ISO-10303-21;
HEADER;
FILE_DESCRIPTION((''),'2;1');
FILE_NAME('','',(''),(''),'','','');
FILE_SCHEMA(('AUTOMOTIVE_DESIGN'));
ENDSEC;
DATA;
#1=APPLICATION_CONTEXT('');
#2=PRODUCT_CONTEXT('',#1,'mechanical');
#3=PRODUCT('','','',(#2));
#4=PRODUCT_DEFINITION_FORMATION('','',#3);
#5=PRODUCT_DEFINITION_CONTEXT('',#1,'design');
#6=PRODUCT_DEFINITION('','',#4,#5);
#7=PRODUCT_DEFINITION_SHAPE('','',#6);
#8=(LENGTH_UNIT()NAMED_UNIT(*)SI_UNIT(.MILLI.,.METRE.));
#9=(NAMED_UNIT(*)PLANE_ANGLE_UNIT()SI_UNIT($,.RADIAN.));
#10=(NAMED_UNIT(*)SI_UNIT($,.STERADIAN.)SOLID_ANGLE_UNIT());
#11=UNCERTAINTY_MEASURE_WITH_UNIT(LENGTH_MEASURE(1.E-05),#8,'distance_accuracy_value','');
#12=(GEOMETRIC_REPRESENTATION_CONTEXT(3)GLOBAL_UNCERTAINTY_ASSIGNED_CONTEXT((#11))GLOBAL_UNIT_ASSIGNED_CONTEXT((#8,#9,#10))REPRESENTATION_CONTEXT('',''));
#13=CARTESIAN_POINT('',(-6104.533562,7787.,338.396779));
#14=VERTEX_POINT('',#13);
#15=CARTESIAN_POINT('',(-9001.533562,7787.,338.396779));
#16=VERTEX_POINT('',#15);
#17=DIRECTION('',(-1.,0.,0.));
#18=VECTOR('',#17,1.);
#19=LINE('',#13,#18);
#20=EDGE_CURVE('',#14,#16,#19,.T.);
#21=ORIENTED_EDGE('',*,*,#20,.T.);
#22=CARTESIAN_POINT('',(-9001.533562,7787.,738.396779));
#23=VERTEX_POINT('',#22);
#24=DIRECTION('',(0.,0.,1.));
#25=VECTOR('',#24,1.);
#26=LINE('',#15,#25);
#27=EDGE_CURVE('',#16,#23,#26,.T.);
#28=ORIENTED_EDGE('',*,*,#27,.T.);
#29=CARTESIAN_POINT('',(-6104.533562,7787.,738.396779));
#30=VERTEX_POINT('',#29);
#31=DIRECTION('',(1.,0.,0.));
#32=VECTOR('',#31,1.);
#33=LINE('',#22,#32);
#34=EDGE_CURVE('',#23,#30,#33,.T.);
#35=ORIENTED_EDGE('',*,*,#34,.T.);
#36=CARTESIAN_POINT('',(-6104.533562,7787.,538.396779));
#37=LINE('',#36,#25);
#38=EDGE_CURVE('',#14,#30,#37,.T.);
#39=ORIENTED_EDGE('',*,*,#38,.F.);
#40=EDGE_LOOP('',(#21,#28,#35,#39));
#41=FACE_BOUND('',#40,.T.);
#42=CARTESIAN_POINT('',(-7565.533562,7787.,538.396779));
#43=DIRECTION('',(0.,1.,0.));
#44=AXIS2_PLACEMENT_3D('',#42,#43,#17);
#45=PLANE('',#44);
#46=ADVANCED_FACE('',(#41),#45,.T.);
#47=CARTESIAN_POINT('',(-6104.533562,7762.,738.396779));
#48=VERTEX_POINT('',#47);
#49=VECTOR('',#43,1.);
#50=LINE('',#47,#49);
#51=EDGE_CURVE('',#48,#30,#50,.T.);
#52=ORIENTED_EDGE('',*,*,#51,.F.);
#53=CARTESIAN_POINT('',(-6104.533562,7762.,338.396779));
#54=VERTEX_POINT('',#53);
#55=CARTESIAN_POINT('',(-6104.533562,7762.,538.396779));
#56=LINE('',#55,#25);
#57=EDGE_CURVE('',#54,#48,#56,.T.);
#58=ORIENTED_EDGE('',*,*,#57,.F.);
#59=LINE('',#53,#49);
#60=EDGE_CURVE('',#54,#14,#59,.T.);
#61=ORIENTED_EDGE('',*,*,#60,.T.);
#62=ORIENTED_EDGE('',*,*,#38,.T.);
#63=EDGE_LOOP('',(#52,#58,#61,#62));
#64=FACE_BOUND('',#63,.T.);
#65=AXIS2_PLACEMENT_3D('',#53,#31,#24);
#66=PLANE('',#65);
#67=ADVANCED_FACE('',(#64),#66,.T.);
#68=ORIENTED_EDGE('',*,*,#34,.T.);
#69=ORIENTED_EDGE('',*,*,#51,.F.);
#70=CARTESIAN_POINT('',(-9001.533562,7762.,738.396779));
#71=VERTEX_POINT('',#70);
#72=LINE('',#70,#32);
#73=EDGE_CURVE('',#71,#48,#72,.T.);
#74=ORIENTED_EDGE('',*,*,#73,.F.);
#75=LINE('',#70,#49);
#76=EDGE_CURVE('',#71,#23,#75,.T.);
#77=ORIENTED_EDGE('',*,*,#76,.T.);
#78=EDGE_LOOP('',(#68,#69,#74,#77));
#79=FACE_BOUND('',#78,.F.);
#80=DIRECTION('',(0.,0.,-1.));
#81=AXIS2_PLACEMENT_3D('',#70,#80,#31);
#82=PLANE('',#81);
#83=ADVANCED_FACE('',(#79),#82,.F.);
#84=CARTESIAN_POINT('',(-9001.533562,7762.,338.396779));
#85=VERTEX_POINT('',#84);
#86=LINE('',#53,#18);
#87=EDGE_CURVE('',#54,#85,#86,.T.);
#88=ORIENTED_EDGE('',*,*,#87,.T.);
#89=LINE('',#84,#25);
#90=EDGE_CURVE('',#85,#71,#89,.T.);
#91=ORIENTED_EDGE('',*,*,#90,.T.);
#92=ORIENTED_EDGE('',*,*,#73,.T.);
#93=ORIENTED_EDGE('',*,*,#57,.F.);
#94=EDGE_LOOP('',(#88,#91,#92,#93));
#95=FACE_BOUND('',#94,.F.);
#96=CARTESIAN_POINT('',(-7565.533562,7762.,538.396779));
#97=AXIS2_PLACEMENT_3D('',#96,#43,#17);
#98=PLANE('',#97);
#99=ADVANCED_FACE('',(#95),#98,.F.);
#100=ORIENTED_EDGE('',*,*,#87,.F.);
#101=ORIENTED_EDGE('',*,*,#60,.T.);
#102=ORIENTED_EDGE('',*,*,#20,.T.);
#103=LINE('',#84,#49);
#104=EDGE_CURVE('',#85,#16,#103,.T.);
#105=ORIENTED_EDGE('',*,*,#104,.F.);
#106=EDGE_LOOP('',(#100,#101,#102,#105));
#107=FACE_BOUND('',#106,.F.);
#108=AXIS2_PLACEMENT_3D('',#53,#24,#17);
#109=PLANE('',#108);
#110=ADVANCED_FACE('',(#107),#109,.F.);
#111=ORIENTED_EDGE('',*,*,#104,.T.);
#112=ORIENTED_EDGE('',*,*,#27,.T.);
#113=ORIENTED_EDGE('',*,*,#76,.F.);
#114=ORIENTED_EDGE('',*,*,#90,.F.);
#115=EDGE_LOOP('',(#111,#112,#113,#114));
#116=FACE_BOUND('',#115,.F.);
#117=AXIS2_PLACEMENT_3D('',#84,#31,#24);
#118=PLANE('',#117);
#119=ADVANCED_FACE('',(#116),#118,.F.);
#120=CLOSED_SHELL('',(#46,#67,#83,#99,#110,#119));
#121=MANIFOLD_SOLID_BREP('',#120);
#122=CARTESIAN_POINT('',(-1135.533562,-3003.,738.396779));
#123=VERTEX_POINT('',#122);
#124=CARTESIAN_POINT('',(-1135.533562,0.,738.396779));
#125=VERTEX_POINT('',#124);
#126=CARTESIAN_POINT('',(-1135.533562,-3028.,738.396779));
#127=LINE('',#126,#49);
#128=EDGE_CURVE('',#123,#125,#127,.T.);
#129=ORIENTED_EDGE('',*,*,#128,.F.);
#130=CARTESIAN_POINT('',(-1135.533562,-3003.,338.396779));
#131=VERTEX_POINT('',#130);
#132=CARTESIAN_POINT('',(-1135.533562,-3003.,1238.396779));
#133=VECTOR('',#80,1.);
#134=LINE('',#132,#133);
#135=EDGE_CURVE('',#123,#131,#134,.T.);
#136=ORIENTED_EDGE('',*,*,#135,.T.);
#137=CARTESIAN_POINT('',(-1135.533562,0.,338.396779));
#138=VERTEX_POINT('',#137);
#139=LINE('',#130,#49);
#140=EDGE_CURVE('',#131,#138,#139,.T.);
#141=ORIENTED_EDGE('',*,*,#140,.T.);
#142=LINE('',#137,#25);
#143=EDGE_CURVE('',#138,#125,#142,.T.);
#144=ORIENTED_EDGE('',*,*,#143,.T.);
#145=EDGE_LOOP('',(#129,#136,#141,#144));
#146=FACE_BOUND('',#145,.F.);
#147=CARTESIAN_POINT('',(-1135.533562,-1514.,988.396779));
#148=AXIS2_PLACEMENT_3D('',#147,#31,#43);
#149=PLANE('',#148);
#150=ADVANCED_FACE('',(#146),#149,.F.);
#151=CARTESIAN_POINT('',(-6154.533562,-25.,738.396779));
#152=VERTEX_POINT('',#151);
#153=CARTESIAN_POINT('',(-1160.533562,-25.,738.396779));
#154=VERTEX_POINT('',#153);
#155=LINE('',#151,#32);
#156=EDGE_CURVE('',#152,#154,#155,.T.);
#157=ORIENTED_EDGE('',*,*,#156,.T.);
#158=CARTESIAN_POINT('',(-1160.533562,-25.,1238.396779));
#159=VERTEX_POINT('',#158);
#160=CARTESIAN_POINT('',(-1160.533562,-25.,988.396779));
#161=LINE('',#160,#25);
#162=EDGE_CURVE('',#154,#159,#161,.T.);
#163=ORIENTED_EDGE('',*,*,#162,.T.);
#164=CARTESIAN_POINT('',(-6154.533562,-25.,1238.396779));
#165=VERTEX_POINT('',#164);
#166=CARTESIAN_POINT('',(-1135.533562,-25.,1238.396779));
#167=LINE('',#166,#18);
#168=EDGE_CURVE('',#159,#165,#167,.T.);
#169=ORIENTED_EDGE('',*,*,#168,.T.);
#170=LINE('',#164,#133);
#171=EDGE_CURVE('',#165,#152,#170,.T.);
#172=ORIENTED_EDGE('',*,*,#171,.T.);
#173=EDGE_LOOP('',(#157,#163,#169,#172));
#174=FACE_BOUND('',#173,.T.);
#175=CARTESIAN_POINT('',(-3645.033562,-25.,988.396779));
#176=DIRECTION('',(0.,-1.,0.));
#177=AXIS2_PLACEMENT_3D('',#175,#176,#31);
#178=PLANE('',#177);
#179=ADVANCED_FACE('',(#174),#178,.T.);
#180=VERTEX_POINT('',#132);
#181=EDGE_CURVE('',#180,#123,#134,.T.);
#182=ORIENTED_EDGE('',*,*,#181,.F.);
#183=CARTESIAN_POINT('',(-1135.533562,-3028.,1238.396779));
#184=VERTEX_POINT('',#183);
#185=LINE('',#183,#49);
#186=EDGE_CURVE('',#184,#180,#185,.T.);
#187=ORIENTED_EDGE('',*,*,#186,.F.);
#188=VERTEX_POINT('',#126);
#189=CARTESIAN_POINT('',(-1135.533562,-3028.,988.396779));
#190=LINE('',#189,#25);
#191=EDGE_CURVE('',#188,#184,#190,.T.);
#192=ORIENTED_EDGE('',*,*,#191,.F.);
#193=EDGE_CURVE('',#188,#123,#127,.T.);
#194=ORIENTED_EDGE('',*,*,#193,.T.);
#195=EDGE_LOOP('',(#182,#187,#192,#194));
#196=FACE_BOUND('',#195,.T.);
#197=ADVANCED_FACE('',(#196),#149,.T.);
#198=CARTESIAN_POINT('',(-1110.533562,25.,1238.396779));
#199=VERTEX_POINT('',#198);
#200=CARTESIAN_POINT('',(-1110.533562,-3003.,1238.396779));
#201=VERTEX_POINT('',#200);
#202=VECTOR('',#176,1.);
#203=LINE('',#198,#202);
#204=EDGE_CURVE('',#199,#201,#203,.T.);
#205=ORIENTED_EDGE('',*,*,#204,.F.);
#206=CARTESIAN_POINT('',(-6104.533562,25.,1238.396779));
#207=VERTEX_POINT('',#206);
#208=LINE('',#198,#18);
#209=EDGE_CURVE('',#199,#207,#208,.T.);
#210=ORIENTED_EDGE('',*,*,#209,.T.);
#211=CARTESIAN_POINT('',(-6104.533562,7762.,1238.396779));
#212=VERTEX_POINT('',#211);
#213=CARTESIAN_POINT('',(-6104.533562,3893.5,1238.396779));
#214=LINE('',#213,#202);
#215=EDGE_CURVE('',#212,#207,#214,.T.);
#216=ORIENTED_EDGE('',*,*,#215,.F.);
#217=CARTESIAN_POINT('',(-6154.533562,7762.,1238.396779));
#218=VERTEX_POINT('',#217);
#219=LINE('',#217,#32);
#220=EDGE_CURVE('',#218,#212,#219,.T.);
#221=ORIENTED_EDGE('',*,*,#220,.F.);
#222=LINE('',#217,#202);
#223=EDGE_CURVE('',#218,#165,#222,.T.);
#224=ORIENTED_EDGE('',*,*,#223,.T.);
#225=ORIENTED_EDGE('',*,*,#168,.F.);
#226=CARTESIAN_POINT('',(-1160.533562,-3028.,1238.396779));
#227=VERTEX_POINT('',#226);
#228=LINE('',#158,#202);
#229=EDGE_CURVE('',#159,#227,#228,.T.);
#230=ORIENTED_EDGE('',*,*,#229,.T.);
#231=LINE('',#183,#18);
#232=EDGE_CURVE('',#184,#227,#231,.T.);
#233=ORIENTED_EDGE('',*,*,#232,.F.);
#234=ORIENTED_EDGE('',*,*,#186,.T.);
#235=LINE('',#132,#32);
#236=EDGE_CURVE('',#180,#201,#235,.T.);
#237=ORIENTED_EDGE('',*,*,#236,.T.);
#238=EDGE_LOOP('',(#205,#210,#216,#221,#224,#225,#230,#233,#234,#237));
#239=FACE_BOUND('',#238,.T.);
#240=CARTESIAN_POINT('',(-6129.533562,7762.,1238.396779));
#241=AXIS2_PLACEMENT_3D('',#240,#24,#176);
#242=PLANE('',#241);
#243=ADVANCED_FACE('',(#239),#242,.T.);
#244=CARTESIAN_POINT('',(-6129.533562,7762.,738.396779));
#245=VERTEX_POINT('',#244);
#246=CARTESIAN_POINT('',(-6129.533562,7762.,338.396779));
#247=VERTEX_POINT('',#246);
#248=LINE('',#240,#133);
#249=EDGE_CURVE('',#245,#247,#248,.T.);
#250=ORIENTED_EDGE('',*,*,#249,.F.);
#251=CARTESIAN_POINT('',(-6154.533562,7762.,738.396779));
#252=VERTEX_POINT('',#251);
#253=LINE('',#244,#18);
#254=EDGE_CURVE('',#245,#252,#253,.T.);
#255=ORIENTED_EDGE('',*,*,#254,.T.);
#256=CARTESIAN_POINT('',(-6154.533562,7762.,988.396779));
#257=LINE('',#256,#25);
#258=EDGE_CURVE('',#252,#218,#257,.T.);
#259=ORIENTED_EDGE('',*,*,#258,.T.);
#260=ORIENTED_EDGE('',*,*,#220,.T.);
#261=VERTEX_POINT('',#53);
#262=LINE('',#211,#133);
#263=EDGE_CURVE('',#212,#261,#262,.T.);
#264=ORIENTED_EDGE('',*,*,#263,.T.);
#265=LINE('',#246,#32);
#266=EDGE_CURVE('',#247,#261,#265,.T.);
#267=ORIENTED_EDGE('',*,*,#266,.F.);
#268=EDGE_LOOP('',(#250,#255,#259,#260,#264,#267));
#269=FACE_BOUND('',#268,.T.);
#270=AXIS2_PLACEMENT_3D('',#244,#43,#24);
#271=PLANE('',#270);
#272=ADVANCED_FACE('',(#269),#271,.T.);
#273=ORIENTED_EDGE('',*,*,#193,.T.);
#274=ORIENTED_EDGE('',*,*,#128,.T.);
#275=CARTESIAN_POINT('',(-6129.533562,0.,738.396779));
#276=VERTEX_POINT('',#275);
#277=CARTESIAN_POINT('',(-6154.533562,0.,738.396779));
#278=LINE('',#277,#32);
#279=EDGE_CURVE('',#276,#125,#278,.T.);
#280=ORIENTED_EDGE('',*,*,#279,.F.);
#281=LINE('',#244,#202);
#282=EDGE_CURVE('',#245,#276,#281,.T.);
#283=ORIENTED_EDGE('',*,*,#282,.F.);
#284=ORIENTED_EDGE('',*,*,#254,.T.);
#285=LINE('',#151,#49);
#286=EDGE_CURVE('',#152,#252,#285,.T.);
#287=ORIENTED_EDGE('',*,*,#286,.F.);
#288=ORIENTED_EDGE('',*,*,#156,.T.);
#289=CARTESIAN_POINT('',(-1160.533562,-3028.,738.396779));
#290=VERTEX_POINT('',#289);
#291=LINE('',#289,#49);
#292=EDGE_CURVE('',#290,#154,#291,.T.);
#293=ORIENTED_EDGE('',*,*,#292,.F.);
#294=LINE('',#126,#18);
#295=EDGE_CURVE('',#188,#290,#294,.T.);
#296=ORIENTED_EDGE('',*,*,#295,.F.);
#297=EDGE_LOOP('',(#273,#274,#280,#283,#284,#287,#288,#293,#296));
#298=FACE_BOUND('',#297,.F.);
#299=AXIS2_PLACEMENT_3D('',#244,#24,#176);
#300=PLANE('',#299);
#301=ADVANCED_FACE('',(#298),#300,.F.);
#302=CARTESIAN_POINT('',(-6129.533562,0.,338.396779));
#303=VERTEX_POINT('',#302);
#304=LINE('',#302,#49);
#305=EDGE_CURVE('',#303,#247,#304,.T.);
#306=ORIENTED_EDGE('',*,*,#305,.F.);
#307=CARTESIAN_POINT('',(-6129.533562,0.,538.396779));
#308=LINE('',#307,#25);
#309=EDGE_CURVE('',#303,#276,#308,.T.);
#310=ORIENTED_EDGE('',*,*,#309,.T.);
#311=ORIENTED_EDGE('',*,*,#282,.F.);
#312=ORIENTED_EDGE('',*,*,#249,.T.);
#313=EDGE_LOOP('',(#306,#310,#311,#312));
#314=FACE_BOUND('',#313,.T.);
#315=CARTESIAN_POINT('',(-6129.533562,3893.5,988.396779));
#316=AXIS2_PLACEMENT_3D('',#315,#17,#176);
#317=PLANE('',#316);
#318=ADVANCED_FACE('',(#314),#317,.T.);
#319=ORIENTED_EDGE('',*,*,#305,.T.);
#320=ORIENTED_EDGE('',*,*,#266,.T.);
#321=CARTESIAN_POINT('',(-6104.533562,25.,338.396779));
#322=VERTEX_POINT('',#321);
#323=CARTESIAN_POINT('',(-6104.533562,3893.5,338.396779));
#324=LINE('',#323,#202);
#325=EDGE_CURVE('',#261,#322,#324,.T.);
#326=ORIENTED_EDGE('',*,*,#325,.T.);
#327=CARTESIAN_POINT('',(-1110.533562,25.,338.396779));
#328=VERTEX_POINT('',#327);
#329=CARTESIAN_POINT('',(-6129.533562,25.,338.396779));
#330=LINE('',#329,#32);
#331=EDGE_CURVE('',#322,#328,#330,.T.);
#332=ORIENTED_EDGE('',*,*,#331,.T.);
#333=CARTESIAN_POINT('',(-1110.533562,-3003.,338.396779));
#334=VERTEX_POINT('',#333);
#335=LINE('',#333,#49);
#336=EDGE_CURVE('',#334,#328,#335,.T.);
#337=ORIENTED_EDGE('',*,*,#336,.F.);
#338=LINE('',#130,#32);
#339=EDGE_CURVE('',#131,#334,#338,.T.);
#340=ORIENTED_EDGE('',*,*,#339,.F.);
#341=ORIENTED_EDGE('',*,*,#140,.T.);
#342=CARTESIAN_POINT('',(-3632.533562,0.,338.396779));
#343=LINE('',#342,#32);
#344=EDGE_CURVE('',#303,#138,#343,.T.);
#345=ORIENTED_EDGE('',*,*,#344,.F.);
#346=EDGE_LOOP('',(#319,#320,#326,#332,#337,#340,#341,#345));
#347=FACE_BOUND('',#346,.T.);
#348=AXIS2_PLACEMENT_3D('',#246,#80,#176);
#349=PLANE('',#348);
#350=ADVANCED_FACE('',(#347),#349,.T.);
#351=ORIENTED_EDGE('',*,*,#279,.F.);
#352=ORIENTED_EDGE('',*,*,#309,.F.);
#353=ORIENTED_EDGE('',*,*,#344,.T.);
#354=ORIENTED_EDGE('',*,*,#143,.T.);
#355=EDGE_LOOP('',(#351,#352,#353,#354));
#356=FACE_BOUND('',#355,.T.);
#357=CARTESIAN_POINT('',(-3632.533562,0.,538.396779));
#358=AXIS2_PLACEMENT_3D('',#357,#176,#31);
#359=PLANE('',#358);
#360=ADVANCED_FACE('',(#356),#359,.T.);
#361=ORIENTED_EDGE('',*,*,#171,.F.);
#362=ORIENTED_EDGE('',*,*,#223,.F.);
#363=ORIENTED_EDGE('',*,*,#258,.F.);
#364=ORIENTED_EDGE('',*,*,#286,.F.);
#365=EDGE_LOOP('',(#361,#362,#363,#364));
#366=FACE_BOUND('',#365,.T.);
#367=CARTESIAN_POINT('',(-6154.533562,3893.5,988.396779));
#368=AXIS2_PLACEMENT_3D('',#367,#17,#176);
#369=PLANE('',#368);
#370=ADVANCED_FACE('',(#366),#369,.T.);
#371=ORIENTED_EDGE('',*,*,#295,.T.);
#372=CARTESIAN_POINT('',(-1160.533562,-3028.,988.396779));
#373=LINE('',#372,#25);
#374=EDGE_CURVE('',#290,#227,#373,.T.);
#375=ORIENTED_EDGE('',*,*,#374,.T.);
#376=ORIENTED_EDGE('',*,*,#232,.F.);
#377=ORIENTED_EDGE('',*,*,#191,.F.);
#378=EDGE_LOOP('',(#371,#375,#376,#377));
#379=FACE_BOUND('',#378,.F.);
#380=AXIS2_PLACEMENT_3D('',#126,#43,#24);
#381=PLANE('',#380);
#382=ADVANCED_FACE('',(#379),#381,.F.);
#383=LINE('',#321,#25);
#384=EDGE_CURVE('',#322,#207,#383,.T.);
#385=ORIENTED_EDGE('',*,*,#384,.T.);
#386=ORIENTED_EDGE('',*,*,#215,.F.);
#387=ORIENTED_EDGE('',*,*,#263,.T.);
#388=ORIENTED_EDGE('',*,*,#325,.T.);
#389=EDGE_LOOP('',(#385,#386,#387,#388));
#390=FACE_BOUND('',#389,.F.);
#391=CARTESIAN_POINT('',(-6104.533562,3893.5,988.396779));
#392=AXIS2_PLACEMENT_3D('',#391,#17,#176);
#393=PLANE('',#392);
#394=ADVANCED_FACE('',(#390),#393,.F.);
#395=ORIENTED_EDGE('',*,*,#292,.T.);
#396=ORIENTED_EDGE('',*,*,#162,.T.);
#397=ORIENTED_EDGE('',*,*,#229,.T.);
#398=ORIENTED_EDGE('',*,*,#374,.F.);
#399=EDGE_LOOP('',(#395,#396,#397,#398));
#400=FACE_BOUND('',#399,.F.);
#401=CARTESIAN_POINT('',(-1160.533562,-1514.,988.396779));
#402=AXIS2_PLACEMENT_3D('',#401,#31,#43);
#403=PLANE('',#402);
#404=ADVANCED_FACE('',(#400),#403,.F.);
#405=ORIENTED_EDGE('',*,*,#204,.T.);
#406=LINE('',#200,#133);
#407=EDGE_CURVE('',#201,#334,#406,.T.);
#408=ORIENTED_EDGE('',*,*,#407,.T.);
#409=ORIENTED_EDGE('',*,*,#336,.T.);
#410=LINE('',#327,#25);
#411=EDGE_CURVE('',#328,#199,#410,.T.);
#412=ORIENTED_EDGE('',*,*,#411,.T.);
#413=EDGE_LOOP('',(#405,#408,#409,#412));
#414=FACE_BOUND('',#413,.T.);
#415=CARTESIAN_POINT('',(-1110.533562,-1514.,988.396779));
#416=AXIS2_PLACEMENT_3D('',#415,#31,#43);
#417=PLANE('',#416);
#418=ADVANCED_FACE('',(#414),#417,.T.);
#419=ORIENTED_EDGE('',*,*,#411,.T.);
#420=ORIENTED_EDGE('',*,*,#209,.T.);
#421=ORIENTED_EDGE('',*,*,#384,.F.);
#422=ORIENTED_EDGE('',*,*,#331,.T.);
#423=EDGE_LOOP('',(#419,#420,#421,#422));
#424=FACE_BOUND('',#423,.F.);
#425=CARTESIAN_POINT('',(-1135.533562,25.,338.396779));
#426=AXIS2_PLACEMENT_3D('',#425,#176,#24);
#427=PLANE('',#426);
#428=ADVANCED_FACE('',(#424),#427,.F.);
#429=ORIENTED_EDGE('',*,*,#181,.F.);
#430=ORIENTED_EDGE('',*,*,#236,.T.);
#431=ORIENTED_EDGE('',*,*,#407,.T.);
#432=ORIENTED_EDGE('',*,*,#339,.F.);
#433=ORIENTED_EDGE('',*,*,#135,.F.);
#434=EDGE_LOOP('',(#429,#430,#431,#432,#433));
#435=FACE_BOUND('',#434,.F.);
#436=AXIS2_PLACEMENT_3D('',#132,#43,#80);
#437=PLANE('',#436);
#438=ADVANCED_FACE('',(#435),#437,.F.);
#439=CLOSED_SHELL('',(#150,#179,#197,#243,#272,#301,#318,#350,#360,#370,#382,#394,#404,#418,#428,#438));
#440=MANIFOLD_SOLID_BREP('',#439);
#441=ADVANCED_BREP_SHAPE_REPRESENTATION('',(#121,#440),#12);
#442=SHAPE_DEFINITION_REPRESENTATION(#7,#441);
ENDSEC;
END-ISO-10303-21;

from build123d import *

# Parameters (mm, degrees)
F1_DEPTH  = 25
F0_W      = 4994
F0_H      = 400
F2_DEPTH  = 25
F3_W      = 2978
F3_H      = 500
F3_W_2    = 25
F4_DEPTH  = 25
F5_DEPTH  = 25
F6_W      = 7737
F6_H      = 500
F6_H_2    = 400
F7_DEPTH  = 25
F8_DEPTH  = 25
F9_W      = 25
F9_H      = 400
F10_DEPTH = 25


with BuildPart() as f1:
    # F0 (on Front) → F1 (new body)
    with BuildSketch(Plane.XZ):
        Polygon((-6154.5335620582, 738.3967787384), (-6129.5335620582, 738.3967787384), (-1135.5335620582, 738.3967787384), (-1135.5335620582, 1238.3967787384), (-6154.5335620582, 1238.3967787384), align=None)
    extrude(amount=F1_DEPTH)

    # F0 (on Front) → F2 (join)
    with BuildSketch(Plane.XZ):
        with Locations((-3632.5335620582, 538.3967787384)):
            Rectangle(F0_W, F0_H)
        Polygon((-6154.5335620582, 738.3967787384), (-6129.5335620582, 738.3967787384), (-1135.5335620582, 738.3967787384), (-1135.5335620582, 1238.3967787384), (-6154.5335620582, 1238.3967787384), align=None)
    extrude(amount=-F2_DEPTH)

    # F3 (on face) → F4 (join)
    with BuildSketch(Plane.YZ.offset(-1135.5335620582)):
        with Locations((-1514, 988.3967787384)):
            Rectangle(F3_W, F3_H)
        with Locations((-3015.5, 988.3967787384)):
            Rectangle(F3_W_2, F3_H)
    extrude(amount=-F4_DEPTH)

    # F3 (on face) → F5 (join)
    with BuildSketch(Plane.YZ.offset(-1135.5335620582)):
        with Locations((-1514, 988.3967787384)):
            Rectangle(F3_W, F3_H)
        Polygon((-3003, 338.3967787384), (0, 338.3967787384), (0, 738.3967787384), (-25, 738.3967787384), (-3003, 738.3967787384), align=None)
        Polygon((0, 338.3967787384), (25, 338.3967787384), (25, 1238.3967787384), (-25, 1238.3967787384), (-25, 738.3967787384), (0, 738.3967787384), align=None)
    extrude(amount=F5_DEPTH)

    # F6 (on face) → F7 (join)
    with BuildSketch(Plane(origin=(-6129.5335620582, 0, 0), x_dir=(0, -1, 0), z_dir=(-1, 0, 0))):
        with Locations((-3893.5, 988.3967787384)):
            Rectangle(F6_W, F6_H)
        with Locations((-3893.5, 538.3967787384)):
            Rectangle(F6_W, F6_H_2)
    extrude(amount=-F7_DEPTH)

    # F6 (on face) → F8 (join)
    with BuildSketch(Plane(origin=(-6129.5335620582, 0, 0), x_dir=(0, -1, 0), z_dir=(-1, 0, 0))):
        with Locations((-3893.5, 988.3967787384)):
            Rectangle(F6_W, F6_H)
    extrude(amount=F8_DEPTH)


with BuildPart() as f10:
    # F9 (on face) → F10 (new body)
    with BuildSketch(Plane(origin=(0, 7762, 0), x_dir=(-1, 0, 0), z_dir=(0, 1, 0))):
        Polygon((6129.5335620582, 738.3967787384), (6129.5335620582, 338.3967787384), (9001.5335620582, 338.3967787384), (9001.5335620582, 738.3967787384), (6154.5335620582, 738.3967787384), align=None)
        with Locations((6117.0335620582, 538.3967787384)):
            Rectangle(F9_W, F9_H)
    extrude(amount=F10_DEPTH)


solid = Compound([f1.part, f10.part])
